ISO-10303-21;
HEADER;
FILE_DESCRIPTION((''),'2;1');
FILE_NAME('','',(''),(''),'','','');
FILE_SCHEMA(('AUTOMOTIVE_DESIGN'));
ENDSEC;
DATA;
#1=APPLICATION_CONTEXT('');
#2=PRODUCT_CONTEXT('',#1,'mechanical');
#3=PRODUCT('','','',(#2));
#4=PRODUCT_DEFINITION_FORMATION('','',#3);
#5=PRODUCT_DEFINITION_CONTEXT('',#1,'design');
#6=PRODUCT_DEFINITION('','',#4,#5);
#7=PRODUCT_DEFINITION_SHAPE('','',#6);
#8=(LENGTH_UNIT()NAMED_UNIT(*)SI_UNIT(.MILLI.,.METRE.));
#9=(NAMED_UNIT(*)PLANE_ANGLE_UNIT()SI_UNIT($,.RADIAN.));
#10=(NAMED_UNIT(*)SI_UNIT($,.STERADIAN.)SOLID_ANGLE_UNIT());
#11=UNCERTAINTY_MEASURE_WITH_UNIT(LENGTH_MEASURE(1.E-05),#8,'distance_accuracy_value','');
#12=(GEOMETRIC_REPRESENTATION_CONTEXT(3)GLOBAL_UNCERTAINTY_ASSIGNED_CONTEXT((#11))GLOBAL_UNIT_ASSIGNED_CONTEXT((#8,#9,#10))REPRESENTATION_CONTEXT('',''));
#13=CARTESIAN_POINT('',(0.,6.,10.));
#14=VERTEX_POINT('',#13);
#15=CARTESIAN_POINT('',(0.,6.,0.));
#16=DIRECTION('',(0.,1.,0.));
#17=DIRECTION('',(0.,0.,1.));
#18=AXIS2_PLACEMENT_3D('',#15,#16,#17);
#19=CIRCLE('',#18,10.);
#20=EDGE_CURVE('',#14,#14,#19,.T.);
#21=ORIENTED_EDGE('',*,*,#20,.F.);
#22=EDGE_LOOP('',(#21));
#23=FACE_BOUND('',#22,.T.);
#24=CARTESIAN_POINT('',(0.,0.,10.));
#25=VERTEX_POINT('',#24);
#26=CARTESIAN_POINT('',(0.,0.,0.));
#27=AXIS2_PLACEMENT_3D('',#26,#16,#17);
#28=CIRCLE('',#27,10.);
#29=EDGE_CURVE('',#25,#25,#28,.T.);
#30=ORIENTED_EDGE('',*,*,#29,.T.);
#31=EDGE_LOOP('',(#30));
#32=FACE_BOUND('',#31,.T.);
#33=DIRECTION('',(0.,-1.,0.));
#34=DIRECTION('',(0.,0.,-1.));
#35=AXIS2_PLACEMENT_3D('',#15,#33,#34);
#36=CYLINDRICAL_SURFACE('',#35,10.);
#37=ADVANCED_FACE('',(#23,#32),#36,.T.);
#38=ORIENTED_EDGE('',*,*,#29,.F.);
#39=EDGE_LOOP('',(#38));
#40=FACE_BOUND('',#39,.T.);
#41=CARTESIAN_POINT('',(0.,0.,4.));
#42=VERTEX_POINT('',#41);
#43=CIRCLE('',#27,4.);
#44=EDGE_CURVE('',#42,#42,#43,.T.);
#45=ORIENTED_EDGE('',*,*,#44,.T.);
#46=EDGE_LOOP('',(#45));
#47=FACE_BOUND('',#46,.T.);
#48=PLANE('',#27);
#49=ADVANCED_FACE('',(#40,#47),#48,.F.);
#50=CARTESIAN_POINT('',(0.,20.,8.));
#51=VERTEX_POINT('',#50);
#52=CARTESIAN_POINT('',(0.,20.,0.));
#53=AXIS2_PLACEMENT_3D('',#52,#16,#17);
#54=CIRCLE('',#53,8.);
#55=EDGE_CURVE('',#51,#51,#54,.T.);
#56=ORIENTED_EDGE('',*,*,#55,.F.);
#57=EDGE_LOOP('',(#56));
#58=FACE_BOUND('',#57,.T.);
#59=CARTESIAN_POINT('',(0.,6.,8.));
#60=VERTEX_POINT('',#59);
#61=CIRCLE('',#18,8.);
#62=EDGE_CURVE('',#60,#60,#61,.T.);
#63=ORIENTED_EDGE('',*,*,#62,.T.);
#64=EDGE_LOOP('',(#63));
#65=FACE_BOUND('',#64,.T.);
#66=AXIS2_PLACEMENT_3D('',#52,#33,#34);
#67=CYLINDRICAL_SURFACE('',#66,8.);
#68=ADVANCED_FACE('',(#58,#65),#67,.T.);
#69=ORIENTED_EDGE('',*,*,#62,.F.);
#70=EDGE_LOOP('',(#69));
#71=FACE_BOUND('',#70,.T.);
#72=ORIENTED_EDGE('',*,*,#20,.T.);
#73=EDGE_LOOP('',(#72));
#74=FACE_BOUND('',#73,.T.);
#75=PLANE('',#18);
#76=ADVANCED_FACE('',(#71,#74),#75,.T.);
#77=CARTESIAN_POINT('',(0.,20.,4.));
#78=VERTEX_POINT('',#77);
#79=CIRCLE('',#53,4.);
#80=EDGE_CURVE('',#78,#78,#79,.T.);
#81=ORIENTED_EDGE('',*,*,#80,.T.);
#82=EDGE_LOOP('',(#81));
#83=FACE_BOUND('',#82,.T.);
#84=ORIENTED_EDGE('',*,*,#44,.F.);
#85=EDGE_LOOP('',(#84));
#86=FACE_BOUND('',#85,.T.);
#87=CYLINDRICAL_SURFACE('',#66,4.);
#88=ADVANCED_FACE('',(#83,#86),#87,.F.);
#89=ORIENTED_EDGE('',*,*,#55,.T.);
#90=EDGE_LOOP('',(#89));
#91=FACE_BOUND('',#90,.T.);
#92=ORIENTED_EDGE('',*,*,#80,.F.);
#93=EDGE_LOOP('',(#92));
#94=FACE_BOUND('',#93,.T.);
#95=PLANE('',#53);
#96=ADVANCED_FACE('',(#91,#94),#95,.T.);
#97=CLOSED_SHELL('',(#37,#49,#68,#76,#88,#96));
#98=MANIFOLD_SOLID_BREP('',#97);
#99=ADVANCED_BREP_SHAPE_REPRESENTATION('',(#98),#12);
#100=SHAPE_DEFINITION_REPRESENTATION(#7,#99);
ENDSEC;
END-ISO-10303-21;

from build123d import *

# Parameters (mm, degrees)
SKETCH2_R           = 8
BOSS_EXTRUDE1_DEPTH = 20
SKETCH3_R           = 10
BOSS_EXTRUDE2_DEPTH = 6
SKETCH1_R           = 4
CUT_EXTRUDE1_DEPTH  = 25.494897428


with BuildPart() as part:
    # Sketch2 → Boss-Extrude1 (new body)
    with BuildSketch(Plane(origin=(0, 0, 0), x_dir=(1, 0, 0), z_dir=(0, 1, 0))):
        with Locations(Location((0, 0, 0), (0, 0, 270))):
            Circle(SKETCH2_R)
    extrude(amount=BOSS_EXTRUDE1_DEPTH)

    # Sketch3 → Boss-Extrude2 (add)
    with BuildSketch(Plane(origin=(0, 0, 0), x_dir=(1, 0, 0), z_dir=(0, 1, 0))):
        with Locations(Location((0, 0, 0), (0, 0, 270))):
            Circle(SKETCH3_R)
    extrude(amount=BOSS_EXTRUDE2_DEPTH)

    # Sketch1 → Cut-Extrude1 (cut, through all)
    with BuildSketch(Plane(origin=(0, 0, 0), x_dir=(1, 0, 0), z_dir=(0, 1, 0))):
        with Locations(Location((0, 0, 0), (0, 0, 270))):
            Circle(SKETCH1_R)
    extrude(amount=CUT_EXTRUDE1_DEPTH, mode=Mode.SUBTRACT)


solid = part.part
